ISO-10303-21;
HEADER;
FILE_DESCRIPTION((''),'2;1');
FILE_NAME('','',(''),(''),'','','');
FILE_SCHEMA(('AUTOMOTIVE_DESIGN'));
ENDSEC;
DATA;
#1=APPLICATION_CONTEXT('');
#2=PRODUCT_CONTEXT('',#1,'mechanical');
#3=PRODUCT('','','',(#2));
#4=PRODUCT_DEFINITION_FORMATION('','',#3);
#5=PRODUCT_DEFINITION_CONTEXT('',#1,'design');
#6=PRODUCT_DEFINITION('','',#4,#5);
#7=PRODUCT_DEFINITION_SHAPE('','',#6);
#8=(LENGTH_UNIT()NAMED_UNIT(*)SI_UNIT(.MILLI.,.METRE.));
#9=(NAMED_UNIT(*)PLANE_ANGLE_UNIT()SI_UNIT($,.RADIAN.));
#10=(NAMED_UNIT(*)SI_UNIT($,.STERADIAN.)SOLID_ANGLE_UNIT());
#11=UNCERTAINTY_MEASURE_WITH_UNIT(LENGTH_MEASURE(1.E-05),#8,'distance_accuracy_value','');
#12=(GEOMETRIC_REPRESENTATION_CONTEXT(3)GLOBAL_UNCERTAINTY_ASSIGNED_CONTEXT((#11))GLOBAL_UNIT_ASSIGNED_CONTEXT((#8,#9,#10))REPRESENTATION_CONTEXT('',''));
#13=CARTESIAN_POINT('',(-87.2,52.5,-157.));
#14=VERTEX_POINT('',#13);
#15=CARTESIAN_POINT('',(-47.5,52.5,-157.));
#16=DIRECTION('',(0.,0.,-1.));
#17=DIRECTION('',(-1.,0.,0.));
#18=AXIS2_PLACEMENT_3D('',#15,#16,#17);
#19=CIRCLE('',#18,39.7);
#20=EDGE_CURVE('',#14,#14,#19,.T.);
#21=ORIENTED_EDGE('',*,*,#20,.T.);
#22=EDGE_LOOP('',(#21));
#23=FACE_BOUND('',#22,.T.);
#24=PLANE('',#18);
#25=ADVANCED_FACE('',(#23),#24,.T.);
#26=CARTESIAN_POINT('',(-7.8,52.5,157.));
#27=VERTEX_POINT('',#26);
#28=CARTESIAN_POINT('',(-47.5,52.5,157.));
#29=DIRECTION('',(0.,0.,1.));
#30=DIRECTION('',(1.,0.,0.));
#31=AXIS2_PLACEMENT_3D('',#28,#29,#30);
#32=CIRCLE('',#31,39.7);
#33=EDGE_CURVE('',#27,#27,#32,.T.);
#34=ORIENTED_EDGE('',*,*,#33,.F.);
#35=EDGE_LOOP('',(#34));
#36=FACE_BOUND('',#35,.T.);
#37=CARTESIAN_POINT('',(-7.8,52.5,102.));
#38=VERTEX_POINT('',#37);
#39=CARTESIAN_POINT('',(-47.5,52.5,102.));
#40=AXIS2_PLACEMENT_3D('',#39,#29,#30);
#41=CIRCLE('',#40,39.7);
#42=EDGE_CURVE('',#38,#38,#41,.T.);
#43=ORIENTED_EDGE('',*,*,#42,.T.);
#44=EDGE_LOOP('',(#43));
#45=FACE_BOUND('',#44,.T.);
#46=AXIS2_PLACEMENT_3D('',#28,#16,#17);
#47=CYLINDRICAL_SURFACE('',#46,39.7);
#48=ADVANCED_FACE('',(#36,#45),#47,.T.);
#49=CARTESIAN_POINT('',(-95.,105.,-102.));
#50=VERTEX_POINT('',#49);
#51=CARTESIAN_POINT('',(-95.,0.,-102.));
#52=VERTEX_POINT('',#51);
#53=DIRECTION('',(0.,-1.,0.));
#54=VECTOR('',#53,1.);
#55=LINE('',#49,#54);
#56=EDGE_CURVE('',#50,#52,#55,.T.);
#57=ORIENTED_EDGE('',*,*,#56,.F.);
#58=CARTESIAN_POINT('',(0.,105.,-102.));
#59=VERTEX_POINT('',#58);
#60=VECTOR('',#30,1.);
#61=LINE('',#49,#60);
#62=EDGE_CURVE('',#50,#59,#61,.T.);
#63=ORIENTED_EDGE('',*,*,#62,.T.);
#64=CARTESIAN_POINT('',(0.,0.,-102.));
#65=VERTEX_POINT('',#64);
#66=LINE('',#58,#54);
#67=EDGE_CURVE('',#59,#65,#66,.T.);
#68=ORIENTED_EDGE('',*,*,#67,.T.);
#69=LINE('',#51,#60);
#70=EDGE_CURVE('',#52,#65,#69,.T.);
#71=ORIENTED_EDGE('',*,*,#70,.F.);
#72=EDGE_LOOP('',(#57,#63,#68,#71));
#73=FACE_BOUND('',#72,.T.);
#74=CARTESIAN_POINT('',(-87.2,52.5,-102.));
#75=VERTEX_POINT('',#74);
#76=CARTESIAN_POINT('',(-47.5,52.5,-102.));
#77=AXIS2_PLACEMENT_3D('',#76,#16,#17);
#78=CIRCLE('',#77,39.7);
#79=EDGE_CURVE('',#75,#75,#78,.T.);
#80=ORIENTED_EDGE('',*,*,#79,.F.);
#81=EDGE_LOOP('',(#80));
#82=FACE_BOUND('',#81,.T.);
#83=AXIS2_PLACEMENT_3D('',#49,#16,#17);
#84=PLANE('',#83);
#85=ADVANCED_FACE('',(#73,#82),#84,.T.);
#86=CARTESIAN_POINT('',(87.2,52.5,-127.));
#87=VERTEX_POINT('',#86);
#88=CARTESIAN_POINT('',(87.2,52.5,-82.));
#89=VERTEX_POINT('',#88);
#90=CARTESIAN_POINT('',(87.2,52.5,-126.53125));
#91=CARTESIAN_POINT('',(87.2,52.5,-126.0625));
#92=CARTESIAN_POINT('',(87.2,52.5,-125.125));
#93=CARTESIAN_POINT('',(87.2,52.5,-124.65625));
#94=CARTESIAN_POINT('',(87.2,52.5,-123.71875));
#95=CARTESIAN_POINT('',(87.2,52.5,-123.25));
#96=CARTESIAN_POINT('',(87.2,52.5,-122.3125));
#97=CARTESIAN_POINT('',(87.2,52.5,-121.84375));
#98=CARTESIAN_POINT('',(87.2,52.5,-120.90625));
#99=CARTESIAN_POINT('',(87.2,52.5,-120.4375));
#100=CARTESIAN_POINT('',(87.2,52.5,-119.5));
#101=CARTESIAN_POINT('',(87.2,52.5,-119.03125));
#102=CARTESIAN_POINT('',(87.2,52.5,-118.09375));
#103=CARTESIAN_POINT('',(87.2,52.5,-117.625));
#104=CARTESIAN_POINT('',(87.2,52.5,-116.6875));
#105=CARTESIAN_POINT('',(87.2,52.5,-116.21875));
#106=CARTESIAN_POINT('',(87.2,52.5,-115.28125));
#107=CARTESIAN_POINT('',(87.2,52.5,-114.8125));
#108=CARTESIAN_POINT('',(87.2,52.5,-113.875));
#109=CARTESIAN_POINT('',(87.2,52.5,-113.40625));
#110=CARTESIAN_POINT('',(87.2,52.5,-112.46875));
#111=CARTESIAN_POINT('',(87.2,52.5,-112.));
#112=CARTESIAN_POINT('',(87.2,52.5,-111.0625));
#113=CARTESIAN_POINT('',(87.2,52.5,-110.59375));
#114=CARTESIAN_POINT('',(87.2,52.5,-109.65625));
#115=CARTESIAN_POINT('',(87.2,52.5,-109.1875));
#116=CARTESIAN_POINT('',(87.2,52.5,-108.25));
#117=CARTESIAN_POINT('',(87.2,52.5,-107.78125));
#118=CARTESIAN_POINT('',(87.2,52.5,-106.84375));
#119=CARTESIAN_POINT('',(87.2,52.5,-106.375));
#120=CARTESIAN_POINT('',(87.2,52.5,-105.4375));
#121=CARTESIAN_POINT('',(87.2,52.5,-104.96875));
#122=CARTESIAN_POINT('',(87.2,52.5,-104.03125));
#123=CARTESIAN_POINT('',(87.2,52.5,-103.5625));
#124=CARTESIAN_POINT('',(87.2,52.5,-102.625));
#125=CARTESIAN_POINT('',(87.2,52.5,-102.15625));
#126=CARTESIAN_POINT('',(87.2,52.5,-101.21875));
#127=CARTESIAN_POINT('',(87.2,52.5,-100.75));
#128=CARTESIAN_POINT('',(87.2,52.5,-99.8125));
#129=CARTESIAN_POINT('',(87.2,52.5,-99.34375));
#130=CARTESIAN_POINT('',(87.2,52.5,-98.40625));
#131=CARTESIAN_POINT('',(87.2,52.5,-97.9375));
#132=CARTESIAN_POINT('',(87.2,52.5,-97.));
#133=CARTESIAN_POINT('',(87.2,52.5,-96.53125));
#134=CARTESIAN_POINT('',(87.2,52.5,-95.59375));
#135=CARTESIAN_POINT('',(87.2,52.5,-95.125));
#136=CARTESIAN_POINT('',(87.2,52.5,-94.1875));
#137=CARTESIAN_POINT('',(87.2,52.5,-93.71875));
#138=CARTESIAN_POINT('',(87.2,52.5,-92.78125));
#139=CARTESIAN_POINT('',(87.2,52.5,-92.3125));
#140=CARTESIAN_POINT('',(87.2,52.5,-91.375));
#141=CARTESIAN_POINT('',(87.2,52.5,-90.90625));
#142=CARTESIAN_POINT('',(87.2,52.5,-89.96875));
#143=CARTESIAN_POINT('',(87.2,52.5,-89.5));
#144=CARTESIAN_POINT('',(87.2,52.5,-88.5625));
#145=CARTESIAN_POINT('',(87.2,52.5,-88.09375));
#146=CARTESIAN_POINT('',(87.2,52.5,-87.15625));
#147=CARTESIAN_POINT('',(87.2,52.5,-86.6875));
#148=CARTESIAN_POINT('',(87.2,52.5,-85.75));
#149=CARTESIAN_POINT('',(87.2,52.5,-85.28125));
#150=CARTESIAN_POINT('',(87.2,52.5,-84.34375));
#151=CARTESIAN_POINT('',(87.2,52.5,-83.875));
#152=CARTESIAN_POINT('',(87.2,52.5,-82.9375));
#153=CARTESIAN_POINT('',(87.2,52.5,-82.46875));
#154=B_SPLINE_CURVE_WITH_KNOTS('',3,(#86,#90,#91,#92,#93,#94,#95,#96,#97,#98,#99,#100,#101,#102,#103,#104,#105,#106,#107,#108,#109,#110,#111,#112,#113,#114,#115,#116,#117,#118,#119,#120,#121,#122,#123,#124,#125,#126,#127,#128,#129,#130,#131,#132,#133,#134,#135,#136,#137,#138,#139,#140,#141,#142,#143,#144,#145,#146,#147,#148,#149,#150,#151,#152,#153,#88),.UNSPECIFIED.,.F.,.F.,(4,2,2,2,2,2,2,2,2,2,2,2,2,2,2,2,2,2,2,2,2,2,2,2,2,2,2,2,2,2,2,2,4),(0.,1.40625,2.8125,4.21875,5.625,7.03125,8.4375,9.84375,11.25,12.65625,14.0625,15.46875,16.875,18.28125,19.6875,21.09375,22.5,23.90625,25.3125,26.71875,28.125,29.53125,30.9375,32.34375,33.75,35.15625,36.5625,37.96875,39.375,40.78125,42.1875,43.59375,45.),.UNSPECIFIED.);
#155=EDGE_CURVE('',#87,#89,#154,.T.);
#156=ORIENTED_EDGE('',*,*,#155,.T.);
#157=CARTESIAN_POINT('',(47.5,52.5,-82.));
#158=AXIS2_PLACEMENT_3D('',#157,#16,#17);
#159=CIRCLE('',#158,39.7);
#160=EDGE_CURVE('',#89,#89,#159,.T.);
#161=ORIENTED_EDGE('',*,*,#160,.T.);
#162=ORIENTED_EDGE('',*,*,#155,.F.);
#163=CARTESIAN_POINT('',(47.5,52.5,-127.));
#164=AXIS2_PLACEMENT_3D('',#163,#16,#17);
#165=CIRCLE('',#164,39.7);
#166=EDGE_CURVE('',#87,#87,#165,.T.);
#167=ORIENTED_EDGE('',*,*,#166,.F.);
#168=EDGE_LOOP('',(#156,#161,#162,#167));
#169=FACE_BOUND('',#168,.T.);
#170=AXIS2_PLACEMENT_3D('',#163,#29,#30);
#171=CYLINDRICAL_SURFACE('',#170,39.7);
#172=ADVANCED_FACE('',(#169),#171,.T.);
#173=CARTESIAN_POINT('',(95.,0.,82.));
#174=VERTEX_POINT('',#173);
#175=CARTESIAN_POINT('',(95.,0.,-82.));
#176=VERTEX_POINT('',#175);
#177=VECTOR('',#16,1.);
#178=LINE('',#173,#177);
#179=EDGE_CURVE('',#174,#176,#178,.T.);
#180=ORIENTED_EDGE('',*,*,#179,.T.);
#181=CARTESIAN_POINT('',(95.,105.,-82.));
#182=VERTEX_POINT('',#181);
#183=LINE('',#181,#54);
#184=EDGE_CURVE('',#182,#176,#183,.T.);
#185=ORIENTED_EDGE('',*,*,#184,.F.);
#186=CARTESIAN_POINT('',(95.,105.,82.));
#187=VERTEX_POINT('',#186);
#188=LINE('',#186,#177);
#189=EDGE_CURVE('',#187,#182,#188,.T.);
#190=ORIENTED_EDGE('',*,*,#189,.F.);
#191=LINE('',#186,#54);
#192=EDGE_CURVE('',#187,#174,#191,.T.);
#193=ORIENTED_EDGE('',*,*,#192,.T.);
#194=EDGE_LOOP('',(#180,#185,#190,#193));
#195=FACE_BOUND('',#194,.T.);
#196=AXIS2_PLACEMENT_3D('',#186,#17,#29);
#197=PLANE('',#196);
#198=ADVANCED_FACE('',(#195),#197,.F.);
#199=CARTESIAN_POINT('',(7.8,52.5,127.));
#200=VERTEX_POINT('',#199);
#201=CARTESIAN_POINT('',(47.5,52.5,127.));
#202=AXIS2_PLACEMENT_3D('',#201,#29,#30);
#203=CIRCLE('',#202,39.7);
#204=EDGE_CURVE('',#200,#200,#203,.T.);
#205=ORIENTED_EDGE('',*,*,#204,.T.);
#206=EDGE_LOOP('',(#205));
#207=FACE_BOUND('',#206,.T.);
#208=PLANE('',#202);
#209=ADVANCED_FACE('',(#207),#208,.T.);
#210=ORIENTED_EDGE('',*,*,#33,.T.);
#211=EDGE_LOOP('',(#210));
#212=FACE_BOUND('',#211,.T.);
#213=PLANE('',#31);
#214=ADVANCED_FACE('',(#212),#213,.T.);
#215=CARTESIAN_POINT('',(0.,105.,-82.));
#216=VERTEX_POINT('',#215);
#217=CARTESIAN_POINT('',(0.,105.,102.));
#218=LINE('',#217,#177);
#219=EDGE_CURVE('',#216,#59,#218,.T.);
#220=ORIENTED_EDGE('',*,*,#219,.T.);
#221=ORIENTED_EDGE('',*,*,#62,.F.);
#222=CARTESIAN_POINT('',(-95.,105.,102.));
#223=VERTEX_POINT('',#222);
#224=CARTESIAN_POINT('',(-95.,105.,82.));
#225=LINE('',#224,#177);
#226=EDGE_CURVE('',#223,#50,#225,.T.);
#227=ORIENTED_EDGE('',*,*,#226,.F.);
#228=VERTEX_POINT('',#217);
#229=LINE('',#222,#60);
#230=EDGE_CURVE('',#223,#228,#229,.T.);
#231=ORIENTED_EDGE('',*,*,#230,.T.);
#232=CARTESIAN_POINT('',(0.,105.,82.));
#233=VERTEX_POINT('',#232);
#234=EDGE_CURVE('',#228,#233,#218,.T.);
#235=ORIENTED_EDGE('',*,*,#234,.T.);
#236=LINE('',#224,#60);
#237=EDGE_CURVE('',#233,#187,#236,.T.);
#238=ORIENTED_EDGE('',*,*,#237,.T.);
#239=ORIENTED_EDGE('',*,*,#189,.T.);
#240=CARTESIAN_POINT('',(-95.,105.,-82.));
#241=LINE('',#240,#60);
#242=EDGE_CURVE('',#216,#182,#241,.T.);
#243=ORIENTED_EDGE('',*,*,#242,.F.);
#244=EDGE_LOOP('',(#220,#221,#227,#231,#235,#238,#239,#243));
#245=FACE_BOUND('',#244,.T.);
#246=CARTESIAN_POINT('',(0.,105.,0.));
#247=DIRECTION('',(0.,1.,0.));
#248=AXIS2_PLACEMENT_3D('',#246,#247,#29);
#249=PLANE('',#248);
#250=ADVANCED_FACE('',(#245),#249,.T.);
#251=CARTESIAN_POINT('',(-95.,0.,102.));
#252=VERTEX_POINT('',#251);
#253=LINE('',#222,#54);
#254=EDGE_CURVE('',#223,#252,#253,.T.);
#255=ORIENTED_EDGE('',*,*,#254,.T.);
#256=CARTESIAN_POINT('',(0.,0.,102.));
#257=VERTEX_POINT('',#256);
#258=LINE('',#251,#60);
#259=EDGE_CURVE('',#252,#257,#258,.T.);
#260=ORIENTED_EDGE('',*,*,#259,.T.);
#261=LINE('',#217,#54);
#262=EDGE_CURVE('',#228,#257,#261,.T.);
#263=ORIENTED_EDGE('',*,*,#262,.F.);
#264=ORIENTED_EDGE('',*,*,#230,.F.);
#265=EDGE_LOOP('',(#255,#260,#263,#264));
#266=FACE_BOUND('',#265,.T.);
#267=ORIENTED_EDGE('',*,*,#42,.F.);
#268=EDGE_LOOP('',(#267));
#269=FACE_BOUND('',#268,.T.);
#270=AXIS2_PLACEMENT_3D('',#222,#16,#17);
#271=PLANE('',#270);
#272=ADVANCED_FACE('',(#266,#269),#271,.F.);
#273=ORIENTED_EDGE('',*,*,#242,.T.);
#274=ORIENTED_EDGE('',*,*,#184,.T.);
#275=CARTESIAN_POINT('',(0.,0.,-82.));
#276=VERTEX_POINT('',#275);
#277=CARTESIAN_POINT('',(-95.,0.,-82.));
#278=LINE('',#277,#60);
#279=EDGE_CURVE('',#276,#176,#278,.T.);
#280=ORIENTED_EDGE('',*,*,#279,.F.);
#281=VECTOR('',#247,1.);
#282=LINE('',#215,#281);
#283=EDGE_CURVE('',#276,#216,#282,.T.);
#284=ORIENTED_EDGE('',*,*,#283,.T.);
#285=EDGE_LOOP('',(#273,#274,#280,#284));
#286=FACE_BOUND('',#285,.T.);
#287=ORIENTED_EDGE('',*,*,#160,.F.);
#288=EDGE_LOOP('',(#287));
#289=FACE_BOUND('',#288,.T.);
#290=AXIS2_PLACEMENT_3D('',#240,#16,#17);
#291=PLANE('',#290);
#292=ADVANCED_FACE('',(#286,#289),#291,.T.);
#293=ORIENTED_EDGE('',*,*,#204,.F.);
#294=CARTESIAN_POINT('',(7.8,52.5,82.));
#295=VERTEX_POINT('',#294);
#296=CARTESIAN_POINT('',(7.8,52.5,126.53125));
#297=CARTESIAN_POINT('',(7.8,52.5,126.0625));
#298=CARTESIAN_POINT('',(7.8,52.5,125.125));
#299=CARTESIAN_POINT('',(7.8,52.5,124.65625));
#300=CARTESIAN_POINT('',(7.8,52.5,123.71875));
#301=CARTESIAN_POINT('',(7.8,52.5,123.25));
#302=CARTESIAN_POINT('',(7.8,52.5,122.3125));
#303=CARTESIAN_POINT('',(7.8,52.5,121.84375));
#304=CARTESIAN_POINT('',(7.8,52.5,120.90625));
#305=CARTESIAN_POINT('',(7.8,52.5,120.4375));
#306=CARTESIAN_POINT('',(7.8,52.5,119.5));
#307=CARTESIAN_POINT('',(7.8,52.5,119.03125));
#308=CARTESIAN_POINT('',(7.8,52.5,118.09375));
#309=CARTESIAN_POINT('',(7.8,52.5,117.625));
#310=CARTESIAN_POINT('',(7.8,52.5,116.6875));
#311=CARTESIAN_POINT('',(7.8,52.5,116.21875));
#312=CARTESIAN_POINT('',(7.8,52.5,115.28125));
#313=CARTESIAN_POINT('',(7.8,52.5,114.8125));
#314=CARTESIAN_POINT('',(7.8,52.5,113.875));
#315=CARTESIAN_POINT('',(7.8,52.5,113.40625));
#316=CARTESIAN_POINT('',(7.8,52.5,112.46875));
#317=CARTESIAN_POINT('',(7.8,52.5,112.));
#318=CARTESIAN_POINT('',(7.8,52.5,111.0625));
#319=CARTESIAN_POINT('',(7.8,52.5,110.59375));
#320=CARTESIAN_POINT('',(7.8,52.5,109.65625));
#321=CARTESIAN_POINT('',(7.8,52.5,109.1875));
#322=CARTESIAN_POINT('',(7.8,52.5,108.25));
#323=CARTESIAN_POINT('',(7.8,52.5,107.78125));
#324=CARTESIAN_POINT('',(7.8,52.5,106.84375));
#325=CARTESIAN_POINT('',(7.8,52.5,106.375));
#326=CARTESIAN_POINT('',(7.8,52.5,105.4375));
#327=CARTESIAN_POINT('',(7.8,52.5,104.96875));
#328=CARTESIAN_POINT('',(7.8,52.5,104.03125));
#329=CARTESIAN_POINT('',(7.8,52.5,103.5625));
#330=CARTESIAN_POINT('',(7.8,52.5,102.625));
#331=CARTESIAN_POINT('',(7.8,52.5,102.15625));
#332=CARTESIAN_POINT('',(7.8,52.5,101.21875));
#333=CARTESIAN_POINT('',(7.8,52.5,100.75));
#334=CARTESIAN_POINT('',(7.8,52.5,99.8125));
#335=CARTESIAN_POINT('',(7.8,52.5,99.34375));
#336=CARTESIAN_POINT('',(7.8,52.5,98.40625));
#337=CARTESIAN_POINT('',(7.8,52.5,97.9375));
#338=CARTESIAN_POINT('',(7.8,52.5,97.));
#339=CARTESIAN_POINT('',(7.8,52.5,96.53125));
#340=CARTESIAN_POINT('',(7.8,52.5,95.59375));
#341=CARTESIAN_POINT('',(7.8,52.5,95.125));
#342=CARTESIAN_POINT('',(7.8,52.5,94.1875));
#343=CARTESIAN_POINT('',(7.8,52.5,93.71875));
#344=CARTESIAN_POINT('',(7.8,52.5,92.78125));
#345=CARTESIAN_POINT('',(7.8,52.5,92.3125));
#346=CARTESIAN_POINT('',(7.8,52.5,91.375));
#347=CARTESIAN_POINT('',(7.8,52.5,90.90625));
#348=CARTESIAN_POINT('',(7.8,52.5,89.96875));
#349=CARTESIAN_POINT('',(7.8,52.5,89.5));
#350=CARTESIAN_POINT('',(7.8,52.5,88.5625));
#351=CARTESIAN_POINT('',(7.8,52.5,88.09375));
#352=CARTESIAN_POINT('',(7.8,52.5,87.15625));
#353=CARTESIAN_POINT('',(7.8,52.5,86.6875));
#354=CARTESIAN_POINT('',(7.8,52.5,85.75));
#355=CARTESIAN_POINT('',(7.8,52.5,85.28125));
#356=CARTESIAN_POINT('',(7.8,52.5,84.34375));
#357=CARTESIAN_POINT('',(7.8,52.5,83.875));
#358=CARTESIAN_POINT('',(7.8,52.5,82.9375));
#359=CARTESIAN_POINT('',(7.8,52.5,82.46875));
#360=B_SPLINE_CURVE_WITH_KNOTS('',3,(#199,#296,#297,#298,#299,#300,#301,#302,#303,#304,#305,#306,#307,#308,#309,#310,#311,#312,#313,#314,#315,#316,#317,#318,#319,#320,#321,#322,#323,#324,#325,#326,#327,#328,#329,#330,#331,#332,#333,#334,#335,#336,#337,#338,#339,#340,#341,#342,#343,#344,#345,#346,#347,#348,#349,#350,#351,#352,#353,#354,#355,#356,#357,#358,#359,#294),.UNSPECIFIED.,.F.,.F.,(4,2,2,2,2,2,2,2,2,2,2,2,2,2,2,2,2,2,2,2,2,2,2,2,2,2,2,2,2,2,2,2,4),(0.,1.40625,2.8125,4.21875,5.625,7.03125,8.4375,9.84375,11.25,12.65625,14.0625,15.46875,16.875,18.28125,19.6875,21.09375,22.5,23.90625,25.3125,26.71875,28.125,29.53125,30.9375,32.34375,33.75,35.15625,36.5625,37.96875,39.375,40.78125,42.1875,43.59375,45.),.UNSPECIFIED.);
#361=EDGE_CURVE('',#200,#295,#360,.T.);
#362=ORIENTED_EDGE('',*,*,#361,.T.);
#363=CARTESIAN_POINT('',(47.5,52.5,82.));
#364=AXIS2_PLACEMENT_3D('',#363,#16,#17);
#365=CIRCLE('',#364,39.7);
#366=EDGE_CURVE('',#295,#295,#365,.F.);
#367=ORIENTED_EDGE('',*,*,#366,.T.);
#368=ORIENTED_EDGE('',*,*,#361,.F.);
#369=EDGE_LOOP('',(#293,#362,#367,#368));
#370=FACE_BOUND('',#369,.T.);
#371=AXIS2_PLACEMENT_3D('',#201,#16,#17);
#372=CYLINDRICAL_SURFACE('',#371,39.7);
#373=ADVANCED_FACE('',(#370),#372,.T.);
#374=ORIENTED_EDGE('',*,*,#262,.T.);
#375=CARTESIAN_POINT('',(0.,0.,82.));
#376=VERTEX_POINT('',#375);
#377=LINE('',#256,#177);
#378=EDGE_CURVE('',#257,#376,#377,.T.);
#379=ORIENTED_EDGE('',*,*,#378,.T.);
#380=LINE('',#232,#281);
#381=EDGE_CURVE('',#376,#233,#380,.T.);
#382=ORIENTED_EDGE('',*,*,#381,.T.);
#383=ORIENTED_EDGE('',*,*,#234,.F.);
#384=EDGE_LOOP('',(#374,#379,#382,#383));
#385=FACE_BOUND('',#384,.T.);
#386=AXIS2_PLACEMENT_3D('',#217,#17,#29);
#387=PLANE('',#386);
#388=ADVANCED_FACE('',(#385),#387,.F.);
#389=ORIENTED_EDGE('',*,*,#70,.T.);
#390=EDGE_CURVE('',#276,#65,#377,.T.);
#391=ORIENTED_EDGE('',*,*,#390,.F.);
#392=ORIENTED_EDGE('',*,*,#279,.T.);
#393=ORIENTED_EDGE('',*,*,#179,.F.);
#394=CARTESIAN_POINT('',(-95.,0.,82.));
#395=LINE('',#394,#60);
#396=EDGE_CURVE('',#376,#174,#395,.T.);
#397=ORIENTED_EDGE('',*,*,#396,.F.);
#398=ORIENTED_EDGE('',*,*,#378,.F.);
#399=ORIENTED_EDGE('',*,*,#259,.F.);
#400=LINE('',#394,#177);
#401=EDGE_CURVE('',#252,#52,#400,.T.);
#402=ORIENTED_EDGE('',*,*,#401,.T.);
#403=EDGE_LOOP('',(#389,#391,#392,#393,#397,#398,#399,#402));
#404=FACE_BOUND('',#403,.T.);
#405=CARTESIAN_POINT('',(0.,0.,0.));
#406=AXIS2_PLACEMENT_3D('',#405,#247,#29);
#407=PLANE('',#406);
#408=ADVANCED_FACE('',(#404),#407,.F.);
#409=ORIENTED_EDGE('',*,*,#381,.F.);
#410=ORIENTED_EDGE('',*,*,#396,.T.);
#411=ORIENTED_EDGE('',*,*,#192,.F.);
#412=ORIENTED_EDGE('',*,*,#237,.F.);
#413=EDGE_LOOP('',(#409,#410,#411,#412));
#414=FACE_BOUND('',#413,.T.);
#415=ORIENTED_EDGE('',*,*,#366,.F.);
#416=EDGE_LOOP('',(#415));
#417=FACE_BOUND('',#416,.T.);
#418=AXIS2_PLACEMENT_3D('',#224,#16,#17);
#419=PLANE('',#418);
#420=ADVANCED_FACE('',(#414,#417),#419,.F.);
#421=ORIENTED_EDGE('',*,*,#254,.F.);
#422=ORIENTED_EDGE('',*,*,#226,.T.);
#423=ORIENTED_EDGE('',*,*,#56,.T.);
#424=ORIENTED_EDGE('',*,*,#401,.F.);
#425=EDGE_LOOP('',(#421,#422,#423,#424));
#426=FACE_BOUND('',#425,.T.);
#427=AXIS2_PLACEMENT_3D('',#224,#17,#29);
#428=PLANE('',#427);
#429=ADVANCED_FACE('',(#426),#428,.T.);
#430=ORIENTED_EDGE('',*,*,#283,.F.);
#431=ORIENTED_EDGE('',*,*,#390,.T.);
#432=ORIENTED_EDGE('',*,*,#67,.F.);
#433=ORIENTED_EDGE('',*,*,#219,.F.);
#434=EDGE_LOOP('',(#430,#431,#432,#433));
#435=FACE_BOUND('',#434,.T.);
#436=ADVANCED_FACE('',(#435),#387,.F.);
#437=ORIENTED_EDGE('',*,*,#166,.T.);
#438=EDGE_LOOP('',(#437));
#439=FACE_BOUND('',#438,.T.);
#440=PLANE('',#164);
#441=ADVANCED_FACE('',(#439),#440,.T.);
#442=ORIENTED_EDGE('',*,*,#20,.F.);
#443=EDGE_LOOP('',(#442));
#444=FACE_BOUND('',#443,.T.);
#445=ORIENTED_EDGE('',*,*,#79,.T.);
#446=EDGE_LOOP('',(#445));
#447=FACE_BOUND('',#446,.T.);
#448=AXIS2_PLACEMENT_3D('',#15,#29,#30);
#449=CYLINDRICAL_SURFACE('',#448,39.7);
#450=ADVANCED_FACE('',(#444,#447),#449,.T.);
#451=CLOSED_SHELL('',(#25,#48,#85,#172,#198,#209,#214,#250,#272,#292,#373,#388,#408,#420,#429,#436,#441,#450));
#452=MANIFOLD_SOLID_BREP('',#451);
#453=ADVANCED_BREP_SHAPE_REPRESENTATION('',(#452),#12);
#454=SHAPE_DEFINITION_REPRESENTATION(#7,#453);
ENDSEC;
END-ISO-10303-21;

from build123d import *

# Parameters (mm, degrees)
SKETCH_1_W      = 190
SKETCH_1_H      = 164
EXTRUDE_2_DEPTH = 105
SKETCH_1_5_W    = 95
SKETCH_1_5_H    = 204
EXTRUDE_3_DEPTH = 105
SKETCH_2_R      = 39.7
EXTRUDE_4_DEPTH = 55
SKETCH_3_R      = 39.7
EXTRUDE_5_DEPTH = 45
EXTRUDE_START   = 55
SKETCH_4_R      = 39.7
EXTRUDE_6_DEPTH = 55
EXTRUDE_START_2 = 45
SKETCH_5_R      = 39.7
EXTRUDE_7_DEPTH = 45


with BuildPart() as part:
    # 草图1 → 凸台-拉伸2 (new body)
    with BuildSketch(Plane(origin=(0, 0, 0), x_dir=(1, 0, 0), z_dir=(0, 1, 0))):
        Rectangle(SKETCH_1_W, SKETCH_1_H)
    extrude(amount=EXTRUDE_2_DEPTH)

    # 草图1<5> → 凸台-拉伸3 (add)
    with BuildSketch(Plane(origin=(0, 0, 0), x_dir=(1, 0, 0), z_dir=(0, 1, 0))):
        with Locations((-47.5, 0)):
            Rectangle(SKETCH_1_5_W, SKETCH_1_5_H)
    extrude(amount=EXTRUDE_3_DEPTH)

    # 草图2 → 凸台-拉伸4 (add)
    with BuildSketch(Plane.XY.offset(102)):
        with Locations((-47.5, 52.5)):
            Circle(SKETCH_2_R)
    extrude(amount=EXTRUDE_4_DEPTH)

    # 草图3 → 凸台-拉伸5 (add)
    with BuildSketch(Plane.XY.offset(82)):
        with Locations((47.5, 52.5)):
            Circle(SKETCH_3_R)
    extrude(amount=EXTRUDE_5_DEPTH)

    # 草图4 → 凸台-拉伸6 (add)
    with BuildSketch(Plane(origin=(0, 0, -102), x_dir=(-1, 0, 0), z_dir=(0, 0, -1)).offset(EXTRUDE_START)):
        with Locations((47.5, 52.5)):
            Circle(SKETCH_4_R)
    extrude(amount=-EXTRUDE_6_DEPTH)

    # 草图5 → 凸台-拉伸7 (add)
    with BuildSketch(Plane(origin=(0, 0, -82), x_dir=(-1, 0, 0), z_dir=(0, 0, -1)).offset(EXTRUDE_START_2)):
        with Locations((-47.5, 52.5)):
            Circle(SKETCH_5_R)
    extrude(amount=-EXTRUDE_7_DEPTH)


solid = part.part
